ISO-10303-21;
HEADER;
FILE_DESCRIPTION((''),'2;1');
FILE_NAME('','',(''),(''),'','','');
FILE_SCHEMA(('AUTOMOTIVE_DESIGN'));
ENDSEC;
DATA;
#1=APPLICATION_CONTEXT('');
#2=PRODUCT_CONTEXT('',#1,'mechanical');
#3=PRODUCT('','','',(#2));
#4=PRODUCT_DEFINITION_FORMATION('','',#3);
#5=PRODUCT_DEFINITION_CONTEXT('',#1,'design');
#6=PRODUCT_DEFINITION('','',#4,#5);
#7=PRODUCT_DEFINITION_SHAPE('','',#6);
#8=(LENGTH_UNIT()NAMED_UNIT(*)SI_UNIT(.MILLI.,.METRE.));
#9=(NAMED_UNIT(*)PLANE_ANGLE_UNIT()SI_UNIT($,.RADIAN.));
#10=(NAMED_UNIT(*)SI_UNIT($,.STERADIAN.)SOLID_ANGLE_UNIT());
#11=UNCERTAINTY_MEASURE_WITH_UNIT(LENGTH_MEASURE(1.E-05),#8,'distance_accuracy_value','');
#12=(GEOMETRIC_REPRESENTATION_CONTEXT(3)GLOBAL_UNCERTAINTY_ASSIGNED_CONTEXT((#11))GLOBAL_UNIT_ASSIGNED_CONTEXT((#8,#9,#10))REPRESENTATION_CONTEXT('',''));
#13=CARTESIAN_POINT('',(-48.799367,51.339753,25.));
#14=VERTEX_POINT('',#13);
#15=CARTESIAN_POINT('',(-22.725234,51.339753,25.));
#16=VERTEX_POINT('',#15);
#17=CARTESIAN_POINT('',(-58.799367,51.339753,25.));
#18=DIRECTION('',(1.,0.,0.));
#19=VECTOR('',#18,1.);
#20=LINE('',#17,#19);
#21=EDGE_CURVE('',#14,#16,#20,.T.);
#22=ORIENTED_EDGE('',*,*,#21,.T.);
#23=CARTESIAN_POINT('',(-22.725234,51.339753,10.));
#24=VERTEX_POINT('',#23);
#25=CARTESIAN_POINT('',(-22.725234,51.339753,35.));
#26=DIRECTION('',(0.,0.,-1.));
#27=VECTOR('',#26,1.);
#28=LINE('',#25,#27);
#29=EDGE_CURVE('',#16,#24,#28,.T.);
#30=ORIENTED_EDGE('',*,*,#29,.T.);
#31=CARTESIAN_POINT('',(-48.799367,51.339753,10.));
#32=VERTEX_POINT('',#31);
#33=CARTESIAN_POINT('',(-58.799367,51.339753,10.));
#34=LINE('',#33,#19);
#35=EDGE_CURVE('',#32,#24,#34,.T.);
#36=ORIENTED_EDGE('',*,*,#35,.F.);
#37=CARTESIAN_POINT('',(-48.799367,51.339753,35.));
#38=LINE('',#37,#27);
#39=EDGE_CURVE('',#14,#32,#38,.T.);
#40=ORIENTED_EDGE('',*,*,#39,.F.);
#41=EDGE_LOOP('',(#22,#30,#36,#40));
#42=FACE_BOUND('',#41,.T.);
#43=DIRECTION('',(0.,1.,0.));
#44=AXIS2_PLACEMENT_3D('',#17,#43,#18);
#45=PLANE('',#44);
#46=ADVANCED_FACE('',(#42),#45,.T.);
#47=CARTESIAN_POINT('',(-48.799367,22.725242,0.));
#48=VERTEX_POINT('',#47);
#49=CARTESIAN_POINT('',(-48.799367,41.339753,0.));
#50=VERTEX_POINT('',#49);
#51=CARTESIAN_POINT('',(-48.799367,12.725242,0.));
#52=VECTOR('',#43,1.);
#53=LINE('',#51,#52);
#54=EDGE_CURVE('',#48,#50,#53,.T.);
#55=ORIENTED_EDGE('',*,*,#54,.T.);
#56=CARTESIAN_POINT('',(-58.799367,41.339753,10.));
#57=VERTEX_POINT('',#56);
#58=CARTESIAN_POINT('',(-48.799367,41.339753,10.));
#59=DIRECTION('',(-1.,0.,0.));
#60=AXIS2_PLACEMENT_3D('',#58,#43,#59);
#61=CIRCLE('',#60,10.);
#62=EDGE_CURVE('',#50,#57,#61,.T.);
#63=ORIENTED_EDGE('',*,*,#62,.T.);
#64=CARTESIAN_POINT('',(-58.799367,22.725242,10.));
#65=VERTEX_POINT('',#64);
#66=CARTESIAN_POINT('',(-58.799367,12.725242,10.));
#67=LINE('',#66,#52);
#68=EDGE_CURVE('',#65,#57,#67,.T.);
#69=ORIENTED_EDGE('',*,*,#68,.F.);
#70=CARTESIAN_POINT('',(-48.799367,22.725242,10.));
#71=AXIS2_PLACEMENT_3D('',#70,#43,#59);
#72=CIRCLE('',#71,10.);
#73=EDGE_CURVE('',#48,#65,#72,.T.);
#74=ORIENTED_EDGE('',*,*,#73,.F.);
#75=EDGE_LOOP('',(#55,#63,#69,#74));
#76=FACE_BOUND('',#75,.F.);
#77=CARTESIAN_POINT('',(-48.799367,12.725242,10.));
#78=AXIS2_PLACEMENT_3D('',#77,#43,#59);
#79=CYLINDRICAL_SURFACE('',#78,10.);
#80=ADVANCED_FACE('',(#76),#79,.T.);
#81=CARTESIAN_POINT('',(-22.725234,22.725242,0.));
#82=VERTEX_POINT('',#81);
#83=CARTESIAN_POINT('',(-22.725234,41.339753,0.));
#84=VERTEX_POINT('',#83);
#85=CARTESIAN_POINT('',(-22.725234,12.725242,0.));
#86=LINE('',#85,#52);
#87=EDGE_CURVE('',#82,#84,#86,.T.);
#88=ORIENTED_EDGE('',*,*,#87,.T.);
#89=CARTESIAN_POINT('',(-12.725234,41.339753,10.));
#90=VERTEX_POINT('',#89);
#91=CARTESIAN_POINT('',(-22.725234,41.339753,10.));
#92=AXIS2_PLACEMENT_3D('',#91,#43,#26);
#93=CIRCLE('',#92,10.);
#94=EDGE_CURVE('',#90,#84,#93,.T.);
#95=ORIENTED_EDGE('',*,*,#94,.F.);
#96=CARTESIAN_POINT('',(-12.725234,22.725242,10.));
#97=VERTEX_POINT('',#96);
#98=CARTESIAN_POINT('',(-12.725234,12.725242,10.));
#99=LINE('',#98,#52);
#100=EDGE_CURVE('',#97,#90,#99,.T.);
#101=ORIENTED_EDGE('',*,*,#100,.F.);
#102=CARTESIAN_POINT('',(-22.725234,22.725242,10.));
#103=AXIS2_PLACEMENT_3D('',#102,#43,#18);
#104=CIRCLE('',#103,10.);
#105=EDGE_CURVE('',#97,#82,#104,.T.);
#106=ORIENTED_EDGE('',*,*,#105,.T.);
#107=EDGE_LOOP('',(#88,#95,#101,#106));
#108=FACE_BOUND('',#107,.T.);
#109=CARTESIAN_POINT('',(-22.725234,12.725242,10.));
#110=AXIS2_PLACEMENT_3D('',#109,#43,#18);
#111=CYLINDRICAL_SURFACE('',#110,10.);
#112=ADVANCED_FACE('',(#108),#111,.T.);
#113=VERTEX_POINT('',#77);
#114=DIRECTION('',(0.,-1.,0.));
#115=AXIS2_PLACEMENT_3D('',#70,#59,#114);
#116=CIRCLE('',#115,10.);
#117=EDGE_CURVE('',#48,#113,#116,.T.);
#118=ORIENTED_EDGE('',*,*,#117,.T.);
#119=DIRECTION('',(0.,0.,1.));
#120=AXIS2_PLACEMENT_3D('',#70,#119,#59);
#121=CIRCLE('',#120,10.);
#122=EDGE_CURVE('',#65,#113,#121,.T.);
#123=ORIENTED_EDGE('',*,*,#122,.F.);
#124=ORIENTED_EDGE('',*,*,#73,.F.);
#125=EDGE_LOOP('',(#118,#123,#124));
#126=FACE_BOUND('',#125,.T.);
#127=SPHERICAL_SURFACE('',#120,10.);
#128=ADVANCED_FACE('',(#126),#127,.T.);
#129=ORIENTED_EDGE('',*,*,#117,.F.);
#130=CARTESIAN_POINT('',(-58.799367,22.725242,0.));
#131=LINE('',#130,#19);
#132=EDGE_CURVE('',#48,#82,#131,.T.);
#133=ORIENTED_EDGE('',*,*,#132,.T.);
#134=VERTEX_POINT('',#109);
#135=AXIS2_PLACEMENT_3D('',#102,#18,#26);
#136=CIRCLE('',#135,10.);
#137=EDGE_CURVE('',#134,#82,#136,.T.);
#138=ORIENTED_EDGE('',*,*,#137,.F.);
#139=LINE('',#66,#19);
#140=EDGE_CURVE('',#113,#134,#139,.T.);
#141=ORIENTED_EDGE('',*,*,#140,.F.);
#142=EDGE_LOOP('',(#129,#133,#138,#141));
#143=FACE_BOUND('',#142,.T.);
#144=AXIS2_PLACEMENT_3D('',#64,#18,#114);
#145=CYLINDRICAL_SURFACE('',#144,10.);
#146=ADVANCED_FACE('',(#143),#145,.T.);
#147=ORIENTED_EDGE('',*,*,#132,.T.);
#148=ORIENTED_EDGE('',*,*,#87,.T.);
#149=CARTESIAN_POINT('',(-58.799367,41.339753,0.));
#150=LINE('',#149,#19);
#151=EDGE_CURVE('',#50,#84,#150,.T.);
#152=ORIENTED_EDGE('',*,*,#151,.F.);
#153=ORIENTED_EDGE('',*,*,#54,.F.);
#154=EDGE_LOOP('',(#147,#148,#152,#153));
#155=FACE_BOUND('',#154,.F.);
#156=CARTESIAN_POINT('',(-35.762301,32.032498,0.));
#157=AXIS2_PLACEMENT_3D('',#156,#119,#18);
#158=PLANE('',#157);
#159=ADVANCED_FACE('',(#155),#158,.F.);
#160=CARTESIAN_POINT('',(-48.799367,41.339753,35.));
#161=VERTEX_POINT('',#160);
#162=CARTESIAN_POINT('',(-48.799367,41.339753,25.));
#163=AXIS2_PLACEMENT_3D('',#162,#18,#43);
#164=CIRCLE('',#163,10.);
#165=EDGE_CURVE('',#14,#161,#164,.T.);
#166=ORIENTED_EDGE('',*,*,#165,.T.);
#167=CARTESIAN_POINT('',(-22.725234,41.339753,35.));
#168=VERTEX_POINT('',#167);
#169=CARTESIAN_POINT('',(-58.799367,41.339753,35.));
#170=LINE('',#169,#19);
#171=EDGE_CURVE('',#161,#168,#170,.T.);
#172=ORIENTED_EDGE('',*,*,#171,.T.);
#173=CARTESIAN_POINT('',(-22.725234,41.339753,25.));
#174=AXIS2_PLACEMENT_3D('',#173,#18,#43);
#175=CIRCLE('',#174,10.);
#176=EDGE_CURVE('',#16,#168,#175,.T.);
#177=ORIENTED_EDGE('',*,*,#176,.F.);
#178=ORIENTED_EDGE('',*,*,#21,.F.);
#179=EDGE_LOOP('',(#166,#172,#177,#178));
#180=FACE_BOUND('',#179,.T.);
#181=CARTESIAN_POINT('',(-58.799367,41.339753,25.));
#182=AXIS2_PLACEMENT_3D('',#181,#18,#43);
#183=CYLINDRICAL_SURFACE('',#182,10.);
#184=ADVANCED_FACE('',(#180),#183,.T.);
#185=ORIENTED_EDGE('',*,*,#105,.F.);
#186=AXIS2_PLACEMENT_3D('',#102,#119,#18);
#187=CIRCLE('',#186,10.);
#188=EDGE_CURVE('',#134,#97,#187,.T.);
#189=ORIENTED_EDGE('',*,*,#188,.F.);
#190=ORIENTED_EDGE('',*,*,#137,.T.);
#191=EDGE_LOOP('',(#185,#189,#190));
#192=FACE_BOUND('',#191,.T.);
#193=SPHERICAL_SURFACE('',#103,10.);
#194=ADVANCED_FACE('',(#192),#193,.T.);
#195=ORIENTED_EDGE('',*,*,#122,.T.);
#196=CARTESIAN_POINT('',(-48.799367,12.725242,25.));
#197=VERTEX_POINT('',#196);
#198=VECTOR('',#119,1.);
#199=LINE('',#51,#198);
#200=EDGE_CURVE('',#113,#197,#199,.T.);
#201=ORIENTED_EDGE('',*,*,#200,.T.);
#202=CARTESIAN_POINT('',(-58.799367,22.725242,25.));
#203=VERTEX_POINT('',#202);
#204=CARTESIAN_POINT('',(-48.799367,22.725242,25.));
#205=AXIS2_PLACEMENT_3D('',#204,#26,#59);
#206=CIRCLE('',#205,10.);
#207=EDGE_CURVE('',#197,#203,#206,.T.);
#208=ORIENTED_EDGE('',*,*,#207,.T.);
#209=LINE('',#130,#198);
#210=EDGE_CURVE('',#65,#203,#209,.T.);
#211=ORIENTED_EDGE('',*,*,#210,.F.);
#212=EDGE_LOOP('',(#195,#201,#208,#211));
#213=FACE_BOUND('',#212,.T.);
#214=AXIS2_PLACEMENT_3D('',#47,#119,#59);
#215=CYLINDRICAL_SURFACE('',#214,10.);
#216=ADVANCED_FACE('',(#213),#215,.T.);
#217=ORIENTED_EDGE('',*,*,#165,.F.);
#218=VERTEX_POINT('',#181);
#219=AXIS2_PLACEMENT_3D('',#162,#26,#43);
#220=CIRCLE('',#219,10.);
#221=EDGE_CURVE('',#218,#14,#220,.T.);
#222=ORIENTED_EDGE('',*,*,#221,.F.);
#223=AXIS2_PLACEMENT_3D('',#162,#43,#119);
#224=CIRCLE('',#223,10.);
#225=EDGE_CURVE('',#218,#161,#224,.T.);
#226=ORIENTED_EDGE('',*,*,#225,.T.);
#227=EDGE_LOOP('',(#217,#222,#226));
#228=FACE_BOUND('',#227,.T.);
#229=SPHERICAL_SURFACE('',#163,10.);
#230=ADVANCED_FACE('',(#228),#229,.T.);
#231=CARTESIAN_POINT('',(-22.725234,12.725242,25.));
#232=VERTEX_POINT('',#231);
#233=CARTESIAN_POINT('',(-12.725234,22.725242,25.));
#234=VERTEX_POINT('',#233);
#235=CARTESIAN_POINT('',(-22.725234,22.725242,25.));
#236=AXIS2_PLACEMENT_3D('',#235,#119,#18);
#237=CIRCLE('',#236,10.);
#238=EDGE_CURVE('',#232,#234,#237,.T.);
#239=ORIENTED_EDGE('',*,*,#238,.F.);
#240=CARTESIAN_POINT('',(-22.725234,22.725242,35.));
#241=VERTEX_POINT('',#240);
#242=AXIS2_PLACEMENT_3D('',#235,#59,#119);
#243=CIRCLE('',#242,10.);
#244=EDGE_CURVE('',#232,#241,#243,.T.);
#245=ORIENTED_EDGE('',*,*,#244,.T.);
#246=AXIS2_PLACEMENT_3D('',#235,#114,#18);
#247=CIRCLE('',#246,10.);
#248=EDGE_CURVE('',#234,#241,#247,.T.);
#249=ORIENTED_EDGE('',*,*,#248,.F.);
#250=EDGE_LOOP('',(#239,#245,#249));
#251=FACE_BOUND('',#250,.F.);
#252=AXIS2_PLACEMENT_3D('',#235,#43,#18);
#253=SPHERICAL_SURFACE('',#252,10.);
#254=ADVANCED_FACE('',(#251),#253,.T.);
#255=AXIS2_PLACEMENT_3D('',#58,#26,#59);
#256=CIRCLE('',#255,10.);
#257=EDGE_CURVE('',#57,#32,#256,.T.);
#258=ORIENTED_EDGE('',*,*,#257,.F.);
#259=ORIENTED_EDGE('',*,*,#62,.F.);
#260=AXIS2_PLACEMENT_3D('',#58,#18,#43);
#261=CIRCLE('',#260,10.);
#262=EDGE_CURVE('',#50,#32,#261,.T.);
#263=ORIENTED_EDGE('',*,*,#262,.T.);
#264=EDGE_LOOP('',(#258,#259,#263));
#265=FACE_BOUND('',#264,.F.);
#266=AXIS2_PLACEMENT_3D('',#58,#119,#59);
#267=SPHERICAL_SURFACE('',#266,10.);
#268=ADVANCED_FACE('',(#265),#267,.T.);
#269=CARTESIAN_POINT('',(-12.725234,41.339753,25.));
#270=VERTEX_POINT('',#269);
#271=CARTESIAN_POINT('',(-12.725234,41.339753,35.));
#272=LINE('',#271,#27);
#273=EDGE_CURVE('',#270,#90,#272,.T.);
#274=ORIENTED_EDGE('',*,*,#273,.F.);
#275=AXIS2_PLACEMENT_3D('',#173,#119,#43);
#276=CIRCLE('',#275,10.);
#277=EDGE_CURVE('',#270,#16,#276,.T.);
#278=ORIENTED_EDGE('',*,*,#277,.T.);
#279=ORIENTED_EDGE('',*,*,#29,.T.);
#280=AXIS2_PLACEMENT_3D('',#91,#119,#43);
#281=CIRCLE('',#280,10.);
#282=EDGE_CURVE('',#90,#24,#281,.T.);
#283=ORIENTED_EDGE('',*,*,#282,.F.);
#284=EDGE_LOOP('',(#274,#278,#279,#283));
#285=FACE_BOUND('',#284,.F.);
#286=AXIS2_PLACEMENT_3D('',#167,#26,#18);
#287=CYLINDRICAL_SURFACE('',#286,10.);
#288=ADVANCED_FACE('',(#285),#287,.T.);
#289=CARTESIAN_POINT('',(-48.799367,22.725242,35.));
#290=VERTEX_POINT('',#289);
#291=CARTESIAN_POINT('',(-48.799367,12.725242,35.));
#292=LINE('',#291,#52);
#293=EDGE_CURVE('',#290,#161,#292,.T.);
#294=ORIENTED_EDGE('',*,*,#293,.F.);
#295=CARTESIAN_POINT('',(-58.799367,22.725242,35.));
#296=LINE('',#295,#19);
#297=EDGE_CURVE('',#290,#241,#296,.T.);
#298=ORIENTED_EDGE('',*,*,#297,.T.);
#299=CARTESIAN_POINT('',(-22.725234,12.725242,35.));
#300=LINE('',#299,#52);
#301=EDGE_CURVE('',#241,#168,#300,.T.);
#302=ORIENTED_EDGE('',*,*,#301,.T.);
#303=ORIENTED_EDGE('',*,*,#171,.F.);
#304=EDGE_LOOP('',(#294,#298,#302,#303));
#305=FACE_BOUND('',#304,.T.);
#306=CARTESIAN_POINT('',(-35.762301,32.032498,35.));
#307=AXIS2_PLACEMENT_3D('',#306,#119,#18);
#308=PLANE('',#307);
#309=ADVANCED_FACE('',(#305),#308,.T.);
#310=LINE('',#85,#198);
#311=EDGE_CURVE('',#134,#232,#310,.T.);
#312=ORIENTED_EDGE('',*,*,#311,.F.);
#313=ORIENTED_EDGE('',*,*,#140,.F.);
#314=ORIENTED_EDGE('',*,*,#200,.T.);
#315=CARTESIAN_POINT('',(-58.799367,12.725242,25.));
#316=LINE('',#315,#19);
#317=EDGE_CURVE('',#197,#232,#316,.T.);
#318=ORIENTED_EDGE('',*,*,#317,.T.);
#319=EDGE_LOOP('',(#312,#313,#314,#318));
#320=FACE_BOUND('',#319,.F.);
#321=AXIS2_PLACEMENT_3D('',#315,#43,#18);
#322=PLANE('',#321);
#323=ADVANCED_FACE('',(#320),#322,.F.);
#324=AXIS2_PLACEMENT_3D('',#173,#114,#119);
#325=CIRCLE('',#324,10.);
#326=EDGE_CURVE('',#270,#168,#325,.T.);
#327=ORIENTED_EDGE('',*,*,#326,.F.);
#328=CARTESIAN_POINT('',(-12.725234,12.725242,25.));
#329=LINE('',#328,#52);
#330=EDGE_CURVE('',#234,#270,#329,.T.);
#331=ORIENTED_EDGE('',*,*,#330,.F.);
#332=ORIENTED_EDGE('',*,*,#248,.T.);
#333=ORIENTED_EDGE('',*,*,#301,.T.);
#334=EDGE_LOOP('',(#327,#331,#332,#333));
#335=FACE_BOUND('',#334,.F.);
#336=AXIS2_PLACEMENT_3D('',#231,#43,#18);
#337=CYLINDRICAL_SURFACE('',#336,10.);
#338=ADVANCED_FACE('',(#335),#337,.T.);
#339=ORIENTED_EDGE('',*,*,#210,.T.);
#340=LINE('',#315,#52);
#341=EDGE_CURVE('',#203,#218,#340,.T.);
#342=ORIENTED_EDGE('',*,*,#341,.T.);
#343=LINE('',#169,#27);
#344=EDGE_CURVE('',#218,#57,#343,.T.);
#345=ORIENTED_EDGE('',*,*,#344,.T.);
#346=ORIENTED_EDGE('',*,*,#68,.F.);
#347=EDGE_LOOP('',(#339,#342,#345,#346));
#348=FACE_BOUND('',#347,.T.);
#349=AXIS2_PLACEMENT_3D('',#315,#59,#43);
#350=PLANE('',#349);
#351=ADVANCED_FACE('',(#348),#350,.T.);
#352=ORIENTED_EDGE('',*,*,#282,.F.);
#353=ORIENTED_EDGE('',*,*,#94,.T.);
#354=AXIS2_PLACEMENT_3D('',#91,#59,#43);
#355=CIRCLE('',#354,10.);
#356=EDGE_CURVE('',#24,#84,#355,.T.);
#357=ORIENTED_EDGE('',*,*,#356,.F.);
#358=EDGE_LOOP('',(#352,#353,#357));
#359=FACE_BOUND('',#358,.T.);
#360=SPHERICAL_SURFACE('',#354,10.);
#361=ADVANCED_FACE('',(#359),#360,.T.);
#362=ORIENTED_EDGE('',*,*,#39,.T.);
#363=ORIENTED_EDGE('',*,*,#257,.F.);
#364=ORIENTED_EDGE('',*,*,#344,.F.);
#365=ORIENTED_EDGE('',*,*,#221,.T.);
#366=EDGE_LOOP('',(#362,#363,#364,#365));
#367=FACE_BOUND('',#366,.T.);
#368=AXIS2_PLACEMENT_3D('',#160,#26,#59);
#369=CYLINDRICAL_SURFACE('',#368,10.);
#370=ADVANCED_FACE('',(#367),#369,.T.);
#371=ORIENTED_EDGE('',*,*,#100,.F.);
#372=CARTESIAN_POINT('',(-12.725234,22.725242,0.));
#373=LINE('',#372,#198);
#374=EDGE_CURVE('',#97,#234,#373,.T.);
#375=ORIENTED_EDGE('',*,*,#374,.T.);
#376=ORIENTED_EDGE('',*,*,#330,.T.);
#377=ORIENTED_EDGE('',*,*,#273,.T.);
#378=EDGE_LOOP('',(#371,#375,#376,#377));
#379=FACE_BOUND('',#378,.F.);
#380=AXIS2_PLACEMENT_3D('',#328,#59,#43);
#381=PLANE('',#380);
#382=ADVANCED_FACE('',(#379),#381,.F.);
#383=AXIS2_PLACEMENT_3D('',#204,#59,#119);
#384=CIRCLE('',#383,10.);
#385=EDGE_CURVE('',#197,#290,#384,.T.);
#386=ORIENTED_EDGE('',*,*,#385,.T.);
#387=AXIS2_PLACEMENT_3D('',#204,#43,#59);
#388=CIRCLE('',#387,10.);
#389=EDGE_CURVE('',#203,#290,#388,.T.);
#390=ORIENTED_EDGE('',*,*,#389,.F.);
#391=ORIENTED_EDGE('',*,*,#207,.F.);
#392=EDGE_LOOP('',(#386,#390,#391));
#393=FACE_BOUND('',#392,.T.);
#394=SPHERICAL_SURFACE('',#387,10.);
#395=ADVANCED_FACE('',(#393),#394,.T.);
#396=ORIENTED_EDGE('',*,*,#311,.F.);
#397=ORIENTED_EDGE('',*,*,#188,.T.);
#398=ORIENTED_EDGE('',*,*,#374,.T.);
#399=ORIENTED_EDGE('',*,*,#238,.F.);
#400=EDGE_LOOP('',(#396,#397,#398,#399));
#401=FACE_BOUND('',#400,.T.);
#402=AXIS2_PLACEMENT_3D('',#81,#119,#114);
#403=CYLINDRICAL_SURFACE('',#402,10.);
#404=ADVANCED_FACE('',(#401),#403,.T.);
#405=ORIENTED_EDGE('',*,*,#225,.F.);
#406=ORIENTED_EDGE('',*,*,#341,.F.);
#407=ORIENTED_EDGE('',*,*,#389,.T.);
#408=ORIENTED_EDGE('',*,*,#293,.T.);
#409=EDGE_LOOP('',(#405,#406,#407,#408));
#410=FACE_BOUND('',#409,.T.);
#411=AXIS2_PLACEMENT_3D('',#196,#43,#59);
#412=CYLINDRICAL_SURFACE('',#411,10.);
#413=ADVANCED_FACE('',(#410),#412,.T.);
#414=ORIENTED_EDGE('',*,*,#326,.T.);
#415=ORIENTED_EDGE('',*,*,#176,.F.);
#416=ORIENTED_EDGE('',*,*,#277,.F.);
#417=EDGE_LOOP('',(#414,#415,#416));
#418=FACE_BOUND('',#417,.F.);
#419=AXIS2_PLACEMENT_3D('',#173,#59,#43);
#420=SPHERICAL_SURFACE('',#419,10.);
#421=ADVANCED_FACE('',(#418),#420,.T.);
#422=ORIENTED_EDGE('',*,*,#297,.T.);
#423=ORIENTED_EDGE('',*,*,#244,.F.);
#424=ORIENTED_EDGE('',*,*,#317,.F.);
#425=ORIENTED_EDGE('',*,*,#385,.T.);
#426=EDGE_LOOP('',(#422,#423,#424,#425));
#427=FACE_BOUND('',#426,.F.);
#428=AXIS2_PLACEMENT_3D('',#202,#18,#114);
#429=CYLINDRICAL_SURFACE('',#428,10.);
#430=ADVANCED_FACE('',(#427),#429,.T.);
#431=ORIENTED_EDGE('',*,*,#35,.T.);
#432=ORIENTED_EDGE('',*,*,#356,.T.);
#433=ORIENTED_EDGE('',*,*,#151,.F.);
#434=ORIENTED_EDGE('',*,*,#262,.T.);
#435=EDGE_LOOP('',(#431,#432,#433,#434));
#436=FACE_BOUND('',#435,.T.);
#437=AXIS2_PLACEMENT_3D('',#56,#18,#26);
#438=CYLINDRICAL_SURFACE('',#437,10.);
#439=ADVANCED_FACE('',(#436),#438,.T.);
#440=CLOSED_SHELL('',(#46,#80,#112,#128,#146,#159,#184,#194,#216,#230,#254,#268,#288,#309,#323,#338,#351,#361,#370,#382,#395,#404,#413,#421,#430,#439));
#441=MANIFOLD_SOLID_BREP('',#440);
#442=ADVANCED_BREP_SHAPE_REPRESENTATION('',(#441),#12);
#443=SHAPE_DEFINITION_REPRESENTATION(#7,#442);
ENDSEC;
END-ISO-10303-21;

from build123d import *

# Parameters (mm, degrees)
F0_W     = 46.0741333663
F0_H     = 38.6145105585
F1_DEPTH = 25
F2_DEPTH = 10
F3_R     = 10


with BuildPart() as f1:
    # F0 (on Top) → F1 (new body)
    with BuildSketch(Plane.XY):
        with Locations((-35.7623007149, 32.0324976929)):
            Rectangle(F0_W, F0_H)
    extrude(amount=F1_DEPTH)

    # F2 (add): a face of the model
    f2_faces = [f1.faces().sort_by_distance(p)[0] for p in [
        (-35.7623007149, 32.0324976929, 25),
    ]]
    extrude(f2_faces, amount=F2_DEPTH)

    # F3
    f3_edges = [f1.edges().sort_by_distance(p)[0] for p in [
        (-35.762301, 51.339753, 35),
        (-58.799367, 51.339753, 17.5),
        (-58.799367, 32.032498, 35),
        (-58.799367, 12.725242, 17.5),
        (-58.799367, 32.032498, 0),
        (-35.762301, 51.339753, 0),
        (-12.725234, 51.339753, 17.5),
        (-12.725234, 32.032498, 35),
        (-12.725234, 32.032498, 0),
        (-12.725234, 12.725242, 17.5),
        (-35.762301, 12.725242, 35),
        (-35.762301, 12.725242, 0),
    ]]
    fillet(f3_edges, radius=F3_R)


solid = f1.part
